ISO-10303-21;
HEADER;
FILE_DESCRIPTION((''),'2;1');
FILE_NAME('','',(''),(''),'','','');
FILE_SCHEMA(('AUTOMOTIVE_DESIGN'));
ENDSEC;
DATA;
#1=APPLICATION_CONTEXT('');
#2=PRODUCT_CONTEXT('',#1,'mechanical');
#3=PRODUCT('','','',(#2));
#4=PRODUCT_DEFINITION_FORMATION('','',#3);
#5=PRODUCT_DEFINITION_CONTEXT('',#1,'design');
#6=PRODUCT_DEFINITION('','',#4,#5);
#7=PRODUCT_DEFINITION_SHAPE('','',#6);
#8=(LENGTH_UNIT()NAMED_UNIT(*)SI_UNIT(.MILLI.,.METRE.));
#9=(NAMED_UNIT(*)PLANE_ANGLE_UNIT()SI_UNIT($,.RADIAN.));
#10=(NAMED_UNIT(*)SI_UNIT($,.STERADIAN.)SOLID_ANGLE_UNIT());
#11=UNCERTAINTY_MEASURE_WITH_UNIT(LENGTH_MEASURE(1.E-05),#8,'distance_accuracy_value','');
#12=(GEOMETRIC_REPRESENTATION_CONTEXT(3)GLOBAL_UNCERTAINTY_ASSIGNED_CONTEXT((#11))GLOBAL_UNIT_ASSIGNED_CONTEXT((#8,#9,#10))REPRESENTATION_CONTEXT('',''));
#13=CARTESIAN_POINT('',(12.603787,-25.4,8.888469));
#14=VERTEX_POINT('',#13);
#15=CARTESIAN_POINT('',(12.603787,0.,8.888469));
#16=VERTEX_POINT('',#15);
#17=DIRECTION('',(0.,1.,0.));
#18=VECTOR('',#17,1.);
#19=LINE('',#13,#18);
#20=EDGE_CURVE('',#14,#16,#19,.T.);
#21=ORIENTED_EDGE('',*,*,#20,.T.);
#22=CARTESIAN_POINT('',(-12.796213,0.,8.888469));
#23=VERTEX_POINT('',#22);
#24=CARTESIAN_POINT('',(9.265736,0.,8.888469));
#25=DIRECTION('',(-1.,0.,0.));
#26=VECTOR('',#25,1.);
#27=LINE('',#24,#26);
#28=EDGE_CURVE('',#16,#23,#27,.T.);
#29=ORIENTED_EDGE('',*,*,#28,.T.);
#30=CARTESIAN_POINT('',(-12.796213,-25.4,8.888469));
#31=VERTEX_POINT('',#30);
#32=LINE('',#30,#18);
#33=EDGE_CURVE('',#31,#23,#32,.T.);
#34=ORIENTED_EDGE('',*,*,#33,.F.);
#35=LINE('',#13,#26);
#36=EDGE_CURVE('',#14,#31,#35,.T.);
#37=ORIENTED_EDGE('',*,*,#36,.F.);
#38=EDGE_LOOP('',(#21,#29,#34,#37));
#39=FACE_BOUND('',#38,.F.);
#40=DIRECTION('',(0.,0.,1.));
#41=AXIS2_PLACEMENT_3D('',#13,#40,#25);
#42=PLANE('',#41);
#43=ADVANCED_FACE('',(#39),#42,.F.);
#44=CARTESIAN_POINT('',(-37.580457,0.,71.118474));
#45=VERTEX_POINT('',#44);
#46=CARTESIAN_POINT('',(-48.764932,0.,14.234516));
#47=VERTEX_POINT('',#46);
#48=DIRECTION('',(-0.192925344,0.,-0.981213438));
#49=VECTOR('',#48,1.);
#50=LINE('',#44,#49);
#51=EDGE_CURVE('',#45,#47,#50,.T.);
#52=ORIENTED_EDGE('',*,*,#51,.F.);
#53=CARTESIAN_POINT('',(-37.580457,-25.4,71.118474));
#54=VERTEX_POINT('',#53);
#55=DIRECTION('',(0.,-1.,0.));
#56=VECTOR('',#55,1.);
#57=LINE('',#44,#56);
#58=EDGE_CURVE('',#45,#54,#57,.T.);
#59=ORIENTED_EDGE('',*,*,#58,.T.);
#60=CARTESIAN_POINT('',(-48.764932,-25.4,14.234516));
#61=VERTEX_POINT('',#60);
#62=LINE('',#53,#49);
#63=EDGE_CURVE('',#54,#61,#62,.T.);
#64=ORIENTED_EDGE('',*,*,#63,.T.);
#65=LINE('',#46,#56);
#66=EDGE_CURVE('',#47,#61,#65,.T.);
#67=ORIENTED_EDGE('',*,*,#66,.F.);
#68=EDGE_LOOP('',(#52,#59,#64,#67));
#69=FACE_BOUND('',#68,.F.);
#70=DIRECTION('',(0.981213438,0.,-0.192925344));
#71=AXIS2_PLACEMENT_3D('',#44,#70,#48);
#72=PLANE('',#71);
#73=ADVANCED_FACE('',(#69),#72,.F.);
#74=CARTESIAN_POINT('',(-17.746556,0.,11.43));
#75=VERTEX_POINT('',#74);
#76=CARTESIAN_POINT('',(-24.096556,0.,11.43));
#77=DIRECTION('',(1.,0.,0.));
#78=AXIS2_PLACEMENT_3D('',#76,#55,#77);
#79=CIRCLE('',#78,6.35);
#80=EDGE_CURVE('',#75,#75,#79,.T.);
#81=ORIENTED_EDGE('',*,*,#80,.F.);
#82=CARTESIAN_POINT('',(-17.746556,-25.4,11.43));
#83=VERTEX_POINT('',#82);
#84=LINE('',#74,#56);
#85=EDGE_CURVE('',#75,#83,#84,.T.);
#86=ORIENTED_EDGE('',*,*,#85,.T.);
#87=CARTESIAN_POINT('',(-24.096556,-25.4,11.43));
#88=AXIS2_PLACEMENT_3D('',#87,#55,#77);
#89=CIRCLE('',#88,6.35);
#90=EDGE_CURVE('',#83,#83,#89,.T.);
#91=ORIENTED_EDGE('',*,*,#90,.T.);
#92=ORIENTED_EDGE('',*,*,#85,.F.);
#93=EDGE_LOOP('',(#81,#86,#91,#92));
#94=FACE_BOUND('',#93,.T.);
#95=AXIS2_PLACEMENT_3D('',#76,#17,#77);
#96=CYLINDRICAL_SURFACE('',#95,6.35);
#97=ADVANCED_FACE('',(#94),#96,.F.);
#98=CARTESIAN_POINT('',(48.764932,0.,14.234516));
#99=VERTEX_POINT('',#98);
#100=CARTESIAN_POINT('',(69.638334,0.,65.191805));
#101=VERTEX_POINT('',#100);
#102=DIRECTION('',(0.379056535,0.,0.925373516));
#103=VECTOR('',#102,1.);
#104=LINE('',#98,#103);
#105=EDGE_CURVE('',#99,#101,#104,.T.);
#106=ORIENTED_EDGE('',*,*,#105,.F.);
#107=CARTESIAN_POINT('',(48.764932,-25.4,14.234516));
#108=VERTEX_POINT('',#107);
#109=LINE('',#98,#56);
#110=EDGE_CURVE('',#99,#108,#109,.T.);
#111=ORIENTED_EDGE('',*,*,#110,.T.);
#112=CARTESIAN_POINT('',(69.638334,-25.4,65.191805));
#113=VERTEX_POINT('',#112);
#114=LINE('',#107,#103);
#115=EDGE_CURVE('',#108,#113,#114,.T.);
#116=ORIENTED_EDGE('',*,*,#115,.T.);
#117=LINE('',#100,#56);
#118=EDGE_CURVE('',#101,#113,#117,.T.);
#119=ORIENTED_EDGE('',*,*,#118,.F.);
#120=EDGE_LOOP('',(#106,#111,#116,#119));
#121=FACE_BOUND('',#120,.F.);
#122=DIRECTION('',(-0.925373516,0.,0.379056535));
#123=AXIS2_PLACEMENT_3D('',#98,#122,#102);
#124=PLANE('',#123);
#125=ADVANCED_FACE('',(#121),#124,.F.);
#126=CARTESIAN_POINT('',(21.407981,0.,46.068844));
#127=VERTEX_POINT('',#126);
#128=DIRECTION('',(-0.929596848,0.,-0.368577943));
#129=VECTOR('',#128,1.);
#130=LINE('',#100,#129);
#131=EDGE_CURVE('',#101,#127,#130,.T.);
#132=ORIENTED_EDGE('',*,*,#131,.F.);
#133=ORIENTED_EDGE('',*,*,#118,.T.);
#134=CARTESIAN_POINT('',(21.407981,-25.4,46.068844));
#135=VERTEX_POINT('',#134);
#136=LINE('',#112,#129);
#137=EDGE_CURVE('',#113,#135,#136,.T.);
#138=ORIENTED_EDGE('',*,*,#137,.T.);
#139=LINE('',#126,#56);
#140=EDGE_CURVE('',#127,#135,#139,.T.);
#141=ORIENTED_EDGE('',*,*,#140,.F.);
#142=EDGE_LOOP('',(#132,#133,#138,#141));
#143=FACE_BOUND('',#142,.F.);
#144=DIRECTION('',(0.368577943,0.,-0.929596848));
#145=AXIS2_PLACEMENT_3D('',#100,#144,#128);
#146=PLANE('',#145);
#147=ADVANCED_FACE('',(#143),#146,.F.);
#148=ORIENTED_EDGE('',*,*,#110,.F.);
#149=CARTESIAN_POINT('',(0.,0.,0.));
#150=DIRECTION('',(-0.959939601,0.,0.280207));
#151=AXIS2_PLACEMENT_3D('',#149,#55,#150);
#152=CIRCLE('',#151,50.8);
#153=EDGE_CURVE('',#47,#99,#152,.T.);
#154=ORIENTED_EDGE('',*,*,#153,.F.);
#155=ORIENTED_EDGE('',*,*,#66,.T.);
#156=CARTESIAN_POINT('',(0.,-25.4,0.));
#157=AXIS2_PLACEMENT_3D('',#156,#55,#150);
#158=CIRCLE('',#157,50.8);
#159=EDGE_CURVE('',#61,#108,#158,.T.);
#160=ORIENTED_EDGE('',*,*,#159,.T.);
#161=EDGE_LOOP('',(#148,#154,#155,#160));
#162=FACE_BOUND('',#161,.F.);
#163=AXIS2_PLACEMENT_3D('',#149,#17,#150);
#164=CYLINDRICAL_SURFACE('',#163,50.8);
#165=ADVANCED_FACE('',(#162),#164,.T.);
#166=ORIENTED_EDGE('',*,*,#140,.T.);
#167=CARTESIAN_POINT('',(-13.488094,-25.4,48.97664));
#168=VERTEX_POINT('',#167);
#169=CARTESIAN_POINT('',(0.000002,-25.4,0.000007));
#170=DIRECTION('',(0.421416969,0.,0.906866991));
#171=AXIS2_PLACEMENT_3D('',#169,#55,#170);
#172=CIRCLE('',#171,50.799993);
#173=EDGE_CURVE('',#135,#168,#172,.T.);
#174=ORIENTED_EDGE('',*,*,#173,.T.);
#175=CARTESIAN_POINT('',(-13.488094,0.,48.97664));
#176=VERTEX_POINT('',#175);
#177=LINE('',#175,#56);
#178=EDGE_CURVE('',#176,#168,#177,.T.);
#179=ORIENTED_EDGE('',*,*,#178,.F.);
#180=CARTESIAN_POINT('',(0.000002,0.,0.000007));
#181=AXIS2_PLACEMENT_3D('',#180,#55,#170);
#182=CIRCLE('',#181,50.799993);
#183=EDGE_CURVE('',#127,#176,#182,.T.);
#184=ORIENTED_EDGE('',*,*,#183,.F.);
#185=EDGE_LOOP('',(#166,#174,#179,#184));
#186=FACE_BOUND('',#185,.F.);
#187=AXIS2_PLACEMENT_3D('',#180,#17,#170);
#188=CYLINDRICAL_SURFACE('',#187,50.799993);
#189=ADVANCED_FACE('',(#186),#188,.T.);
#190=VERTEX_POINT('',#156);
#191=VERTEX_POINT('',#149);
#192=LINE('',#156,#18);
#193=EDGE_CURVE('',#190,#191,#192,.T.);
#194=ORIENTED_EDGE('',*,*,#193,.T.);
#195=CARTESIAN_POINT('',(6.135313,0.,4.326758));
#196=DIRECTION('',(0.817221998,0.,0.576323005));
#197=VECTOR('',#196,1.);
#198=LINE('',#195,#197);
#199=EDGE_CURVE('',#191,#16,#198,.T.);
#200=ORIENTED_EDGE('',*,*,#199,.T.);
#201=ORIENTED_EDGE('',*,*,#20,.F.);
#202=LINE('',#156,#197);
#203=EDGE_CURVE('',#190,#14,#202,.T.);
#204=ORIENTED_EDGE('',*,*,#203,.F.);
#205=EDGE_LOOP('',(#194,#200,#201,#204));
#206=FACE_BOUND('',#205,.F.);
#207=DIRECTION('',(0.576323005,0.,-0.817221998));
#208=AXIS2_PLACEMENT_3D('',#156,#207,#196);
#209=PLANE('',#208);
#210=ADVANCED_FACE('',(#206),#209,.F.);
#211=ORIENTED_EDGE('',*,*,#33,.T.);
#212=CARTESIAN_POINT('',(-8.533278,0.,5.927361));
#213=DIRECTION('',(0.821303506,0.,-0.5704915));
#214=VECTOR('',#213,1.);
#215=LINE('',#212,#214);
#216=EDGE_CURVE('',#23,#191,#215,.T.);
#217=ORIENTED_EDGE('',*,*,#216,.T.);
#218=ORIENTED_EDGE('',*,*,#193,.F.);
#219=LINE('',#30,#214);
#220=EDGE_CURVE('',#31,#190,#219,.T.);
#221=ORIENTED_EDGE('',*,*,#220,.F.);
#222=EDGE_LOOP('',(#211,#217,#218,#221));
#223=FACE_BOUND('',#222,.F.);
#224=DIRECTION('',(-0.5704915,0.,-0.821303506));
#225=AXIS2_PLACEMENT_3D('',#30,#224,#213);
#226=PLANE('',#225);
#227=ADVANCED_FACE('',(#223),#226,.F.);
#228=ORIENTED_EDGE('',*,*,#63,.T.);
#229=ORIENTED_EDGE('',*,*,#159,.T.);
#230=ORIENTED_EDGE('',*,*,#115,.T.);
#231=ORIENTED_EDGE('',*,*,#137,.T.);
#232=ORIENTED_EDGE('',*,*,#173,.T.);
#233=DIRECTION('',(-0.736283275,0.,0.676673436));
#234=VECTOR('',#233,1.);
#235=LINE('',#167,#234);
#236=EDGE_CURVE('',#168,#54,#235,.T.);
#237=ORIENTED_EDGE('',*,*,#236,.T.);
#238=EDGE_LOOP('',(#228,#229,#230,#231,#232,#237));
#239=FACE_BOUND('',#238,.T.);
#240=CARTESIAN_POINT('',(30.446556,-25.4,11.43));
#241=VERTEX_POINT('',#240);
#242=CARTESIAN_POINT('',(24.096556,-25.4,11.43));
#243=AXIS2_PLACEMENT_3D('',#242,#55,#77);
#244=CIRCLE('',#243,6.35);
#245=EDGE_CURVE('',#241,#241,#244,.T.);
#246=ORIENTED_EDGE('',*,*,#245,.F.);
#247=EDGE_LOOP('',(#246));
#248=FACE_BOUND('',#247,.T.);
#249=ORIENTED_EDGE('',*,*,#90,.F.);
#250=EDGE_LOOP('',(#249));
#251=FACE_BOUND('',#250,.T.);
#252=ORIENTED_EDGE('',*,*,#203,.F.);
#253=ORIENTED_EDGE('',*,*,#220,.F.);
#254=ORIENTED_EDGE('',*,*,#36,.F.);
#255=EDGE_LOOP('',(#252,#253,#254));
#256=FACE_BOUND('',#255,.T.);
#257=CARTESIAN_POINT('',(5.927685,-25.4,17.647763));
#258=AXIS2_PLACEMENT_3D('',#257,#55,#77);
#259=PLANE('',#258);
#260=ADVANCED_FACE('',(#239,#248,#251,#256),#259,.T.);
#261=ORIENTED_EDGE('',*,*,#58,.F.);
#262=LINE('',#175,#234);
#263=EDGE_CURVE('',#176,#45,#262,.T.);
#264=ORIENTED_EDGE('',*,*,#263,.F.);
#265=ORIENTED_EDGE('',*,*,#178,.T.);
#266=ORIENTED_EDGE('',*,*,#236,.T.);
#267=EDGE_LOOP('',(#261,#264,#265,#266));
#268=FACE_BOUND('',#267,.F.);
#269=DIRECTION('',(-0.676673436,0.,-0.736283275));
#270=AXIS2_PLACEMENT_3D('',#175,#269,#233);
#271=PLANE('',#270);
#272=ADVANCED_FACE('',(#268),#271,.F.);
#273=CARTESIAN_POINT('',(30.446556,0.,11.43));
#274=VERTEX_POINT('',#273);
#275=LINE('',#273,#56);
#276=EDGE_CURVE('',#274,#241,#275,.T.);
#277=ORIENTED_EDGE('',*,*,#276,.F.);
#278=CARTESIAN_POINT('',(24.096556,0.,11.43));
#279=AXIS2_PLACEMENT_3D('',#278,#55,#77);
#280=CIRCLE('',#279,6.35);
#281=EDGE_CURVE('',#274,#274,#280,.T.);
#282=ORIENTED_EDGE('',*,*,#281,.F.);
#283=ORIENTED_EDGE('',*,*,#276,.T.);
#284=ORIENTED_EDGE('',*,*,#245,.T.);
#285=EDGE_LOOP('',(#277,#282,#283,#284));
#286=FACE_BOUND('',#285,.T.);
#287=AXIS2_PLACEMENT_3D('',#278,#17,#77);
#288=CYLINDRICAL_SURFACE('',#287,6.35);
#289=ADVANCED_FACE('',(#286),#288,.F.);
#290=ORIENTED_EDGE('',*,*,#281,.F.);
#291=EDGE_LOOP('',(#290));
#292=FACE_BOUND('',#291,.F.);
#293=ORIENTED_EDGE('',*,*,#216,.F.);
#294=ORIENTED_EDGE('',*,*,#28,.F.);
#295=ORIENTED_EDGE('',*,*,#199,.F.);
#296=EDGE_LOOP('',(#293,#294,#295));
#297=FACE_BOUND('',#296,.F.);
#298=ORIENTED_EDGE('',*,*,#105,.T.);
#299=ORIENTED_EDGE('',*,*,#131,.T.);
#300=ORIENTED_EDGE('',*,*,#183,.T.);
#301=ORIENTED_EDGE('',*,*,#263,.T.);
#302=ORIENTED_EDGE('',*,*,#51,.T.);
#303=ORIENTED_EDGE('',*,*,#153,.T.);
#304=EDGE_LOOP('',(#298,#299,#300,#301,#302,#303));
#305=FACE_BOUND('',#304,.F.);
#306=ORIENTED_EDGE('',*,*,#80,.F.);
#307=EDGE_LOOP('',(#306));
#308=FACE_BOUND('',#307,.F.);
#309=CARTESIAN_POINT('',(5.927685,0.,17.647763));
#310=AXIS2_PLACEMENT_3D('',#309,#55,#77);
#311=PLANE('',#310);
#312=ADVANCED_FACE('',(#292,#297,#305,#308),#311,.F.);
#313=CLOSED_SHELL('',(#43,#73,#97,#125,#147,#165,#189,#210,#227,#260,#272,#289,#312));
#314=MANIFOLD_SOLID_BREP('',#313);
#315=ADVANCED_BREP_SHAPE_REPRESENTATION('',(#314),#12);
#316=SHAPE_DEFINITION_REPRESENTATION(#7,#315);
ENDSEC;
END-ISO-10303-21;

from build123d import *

# Parameters (mm, degrees)
F0_R     = 6.35
F1_DEPTH = 25.4
F3_DEPTH = 25.401


with BuildPart() as f1:
    # F0 (on Front) → F1 (new body)
    with BuildSketch(Plane.XZ):
        with BuildLine():
            Line((-37.580457, 71.118474), (-48.764932, 14.234516))
            ThreePointArc((-48.764932, 14.234516), (0, -50.8), (48.764932, 14.234516))
            Line((48.764932, 14.234516), (69.638334, 65.191805))
            Line((69.638334, 65.191805), (21.407981, 46.068844))
            ThreePointArc((21.407981, 46.068844), (4.218409, 50.62455), (-13.488094, 48.97664))
            Line((-13.488094, 48.97664), (-37.580457, 71.118474))
        make_face()
        with Locations((-24.096556, 11.43)):
            Circle(F0_R, mode=Mode.SUBTRACT)
        with Locations((24.096556, 11.43)):
            Circle(F0_R, mode=Mode.SUBTRACT)
    extrude(amount=F1_DEPTH)

    # F2 (on face) → F3 (cut, through all)
    with BuildSketch(Plane.XZ.offset(25.4)):
        Polygon((12.603787, 8.888469), (-12.796213, 8.888469), (0, 0), align=None)
    extrude(amount=-F3_DEPTH, mode=Mode.SUBTRACT)


solid = f1.part
